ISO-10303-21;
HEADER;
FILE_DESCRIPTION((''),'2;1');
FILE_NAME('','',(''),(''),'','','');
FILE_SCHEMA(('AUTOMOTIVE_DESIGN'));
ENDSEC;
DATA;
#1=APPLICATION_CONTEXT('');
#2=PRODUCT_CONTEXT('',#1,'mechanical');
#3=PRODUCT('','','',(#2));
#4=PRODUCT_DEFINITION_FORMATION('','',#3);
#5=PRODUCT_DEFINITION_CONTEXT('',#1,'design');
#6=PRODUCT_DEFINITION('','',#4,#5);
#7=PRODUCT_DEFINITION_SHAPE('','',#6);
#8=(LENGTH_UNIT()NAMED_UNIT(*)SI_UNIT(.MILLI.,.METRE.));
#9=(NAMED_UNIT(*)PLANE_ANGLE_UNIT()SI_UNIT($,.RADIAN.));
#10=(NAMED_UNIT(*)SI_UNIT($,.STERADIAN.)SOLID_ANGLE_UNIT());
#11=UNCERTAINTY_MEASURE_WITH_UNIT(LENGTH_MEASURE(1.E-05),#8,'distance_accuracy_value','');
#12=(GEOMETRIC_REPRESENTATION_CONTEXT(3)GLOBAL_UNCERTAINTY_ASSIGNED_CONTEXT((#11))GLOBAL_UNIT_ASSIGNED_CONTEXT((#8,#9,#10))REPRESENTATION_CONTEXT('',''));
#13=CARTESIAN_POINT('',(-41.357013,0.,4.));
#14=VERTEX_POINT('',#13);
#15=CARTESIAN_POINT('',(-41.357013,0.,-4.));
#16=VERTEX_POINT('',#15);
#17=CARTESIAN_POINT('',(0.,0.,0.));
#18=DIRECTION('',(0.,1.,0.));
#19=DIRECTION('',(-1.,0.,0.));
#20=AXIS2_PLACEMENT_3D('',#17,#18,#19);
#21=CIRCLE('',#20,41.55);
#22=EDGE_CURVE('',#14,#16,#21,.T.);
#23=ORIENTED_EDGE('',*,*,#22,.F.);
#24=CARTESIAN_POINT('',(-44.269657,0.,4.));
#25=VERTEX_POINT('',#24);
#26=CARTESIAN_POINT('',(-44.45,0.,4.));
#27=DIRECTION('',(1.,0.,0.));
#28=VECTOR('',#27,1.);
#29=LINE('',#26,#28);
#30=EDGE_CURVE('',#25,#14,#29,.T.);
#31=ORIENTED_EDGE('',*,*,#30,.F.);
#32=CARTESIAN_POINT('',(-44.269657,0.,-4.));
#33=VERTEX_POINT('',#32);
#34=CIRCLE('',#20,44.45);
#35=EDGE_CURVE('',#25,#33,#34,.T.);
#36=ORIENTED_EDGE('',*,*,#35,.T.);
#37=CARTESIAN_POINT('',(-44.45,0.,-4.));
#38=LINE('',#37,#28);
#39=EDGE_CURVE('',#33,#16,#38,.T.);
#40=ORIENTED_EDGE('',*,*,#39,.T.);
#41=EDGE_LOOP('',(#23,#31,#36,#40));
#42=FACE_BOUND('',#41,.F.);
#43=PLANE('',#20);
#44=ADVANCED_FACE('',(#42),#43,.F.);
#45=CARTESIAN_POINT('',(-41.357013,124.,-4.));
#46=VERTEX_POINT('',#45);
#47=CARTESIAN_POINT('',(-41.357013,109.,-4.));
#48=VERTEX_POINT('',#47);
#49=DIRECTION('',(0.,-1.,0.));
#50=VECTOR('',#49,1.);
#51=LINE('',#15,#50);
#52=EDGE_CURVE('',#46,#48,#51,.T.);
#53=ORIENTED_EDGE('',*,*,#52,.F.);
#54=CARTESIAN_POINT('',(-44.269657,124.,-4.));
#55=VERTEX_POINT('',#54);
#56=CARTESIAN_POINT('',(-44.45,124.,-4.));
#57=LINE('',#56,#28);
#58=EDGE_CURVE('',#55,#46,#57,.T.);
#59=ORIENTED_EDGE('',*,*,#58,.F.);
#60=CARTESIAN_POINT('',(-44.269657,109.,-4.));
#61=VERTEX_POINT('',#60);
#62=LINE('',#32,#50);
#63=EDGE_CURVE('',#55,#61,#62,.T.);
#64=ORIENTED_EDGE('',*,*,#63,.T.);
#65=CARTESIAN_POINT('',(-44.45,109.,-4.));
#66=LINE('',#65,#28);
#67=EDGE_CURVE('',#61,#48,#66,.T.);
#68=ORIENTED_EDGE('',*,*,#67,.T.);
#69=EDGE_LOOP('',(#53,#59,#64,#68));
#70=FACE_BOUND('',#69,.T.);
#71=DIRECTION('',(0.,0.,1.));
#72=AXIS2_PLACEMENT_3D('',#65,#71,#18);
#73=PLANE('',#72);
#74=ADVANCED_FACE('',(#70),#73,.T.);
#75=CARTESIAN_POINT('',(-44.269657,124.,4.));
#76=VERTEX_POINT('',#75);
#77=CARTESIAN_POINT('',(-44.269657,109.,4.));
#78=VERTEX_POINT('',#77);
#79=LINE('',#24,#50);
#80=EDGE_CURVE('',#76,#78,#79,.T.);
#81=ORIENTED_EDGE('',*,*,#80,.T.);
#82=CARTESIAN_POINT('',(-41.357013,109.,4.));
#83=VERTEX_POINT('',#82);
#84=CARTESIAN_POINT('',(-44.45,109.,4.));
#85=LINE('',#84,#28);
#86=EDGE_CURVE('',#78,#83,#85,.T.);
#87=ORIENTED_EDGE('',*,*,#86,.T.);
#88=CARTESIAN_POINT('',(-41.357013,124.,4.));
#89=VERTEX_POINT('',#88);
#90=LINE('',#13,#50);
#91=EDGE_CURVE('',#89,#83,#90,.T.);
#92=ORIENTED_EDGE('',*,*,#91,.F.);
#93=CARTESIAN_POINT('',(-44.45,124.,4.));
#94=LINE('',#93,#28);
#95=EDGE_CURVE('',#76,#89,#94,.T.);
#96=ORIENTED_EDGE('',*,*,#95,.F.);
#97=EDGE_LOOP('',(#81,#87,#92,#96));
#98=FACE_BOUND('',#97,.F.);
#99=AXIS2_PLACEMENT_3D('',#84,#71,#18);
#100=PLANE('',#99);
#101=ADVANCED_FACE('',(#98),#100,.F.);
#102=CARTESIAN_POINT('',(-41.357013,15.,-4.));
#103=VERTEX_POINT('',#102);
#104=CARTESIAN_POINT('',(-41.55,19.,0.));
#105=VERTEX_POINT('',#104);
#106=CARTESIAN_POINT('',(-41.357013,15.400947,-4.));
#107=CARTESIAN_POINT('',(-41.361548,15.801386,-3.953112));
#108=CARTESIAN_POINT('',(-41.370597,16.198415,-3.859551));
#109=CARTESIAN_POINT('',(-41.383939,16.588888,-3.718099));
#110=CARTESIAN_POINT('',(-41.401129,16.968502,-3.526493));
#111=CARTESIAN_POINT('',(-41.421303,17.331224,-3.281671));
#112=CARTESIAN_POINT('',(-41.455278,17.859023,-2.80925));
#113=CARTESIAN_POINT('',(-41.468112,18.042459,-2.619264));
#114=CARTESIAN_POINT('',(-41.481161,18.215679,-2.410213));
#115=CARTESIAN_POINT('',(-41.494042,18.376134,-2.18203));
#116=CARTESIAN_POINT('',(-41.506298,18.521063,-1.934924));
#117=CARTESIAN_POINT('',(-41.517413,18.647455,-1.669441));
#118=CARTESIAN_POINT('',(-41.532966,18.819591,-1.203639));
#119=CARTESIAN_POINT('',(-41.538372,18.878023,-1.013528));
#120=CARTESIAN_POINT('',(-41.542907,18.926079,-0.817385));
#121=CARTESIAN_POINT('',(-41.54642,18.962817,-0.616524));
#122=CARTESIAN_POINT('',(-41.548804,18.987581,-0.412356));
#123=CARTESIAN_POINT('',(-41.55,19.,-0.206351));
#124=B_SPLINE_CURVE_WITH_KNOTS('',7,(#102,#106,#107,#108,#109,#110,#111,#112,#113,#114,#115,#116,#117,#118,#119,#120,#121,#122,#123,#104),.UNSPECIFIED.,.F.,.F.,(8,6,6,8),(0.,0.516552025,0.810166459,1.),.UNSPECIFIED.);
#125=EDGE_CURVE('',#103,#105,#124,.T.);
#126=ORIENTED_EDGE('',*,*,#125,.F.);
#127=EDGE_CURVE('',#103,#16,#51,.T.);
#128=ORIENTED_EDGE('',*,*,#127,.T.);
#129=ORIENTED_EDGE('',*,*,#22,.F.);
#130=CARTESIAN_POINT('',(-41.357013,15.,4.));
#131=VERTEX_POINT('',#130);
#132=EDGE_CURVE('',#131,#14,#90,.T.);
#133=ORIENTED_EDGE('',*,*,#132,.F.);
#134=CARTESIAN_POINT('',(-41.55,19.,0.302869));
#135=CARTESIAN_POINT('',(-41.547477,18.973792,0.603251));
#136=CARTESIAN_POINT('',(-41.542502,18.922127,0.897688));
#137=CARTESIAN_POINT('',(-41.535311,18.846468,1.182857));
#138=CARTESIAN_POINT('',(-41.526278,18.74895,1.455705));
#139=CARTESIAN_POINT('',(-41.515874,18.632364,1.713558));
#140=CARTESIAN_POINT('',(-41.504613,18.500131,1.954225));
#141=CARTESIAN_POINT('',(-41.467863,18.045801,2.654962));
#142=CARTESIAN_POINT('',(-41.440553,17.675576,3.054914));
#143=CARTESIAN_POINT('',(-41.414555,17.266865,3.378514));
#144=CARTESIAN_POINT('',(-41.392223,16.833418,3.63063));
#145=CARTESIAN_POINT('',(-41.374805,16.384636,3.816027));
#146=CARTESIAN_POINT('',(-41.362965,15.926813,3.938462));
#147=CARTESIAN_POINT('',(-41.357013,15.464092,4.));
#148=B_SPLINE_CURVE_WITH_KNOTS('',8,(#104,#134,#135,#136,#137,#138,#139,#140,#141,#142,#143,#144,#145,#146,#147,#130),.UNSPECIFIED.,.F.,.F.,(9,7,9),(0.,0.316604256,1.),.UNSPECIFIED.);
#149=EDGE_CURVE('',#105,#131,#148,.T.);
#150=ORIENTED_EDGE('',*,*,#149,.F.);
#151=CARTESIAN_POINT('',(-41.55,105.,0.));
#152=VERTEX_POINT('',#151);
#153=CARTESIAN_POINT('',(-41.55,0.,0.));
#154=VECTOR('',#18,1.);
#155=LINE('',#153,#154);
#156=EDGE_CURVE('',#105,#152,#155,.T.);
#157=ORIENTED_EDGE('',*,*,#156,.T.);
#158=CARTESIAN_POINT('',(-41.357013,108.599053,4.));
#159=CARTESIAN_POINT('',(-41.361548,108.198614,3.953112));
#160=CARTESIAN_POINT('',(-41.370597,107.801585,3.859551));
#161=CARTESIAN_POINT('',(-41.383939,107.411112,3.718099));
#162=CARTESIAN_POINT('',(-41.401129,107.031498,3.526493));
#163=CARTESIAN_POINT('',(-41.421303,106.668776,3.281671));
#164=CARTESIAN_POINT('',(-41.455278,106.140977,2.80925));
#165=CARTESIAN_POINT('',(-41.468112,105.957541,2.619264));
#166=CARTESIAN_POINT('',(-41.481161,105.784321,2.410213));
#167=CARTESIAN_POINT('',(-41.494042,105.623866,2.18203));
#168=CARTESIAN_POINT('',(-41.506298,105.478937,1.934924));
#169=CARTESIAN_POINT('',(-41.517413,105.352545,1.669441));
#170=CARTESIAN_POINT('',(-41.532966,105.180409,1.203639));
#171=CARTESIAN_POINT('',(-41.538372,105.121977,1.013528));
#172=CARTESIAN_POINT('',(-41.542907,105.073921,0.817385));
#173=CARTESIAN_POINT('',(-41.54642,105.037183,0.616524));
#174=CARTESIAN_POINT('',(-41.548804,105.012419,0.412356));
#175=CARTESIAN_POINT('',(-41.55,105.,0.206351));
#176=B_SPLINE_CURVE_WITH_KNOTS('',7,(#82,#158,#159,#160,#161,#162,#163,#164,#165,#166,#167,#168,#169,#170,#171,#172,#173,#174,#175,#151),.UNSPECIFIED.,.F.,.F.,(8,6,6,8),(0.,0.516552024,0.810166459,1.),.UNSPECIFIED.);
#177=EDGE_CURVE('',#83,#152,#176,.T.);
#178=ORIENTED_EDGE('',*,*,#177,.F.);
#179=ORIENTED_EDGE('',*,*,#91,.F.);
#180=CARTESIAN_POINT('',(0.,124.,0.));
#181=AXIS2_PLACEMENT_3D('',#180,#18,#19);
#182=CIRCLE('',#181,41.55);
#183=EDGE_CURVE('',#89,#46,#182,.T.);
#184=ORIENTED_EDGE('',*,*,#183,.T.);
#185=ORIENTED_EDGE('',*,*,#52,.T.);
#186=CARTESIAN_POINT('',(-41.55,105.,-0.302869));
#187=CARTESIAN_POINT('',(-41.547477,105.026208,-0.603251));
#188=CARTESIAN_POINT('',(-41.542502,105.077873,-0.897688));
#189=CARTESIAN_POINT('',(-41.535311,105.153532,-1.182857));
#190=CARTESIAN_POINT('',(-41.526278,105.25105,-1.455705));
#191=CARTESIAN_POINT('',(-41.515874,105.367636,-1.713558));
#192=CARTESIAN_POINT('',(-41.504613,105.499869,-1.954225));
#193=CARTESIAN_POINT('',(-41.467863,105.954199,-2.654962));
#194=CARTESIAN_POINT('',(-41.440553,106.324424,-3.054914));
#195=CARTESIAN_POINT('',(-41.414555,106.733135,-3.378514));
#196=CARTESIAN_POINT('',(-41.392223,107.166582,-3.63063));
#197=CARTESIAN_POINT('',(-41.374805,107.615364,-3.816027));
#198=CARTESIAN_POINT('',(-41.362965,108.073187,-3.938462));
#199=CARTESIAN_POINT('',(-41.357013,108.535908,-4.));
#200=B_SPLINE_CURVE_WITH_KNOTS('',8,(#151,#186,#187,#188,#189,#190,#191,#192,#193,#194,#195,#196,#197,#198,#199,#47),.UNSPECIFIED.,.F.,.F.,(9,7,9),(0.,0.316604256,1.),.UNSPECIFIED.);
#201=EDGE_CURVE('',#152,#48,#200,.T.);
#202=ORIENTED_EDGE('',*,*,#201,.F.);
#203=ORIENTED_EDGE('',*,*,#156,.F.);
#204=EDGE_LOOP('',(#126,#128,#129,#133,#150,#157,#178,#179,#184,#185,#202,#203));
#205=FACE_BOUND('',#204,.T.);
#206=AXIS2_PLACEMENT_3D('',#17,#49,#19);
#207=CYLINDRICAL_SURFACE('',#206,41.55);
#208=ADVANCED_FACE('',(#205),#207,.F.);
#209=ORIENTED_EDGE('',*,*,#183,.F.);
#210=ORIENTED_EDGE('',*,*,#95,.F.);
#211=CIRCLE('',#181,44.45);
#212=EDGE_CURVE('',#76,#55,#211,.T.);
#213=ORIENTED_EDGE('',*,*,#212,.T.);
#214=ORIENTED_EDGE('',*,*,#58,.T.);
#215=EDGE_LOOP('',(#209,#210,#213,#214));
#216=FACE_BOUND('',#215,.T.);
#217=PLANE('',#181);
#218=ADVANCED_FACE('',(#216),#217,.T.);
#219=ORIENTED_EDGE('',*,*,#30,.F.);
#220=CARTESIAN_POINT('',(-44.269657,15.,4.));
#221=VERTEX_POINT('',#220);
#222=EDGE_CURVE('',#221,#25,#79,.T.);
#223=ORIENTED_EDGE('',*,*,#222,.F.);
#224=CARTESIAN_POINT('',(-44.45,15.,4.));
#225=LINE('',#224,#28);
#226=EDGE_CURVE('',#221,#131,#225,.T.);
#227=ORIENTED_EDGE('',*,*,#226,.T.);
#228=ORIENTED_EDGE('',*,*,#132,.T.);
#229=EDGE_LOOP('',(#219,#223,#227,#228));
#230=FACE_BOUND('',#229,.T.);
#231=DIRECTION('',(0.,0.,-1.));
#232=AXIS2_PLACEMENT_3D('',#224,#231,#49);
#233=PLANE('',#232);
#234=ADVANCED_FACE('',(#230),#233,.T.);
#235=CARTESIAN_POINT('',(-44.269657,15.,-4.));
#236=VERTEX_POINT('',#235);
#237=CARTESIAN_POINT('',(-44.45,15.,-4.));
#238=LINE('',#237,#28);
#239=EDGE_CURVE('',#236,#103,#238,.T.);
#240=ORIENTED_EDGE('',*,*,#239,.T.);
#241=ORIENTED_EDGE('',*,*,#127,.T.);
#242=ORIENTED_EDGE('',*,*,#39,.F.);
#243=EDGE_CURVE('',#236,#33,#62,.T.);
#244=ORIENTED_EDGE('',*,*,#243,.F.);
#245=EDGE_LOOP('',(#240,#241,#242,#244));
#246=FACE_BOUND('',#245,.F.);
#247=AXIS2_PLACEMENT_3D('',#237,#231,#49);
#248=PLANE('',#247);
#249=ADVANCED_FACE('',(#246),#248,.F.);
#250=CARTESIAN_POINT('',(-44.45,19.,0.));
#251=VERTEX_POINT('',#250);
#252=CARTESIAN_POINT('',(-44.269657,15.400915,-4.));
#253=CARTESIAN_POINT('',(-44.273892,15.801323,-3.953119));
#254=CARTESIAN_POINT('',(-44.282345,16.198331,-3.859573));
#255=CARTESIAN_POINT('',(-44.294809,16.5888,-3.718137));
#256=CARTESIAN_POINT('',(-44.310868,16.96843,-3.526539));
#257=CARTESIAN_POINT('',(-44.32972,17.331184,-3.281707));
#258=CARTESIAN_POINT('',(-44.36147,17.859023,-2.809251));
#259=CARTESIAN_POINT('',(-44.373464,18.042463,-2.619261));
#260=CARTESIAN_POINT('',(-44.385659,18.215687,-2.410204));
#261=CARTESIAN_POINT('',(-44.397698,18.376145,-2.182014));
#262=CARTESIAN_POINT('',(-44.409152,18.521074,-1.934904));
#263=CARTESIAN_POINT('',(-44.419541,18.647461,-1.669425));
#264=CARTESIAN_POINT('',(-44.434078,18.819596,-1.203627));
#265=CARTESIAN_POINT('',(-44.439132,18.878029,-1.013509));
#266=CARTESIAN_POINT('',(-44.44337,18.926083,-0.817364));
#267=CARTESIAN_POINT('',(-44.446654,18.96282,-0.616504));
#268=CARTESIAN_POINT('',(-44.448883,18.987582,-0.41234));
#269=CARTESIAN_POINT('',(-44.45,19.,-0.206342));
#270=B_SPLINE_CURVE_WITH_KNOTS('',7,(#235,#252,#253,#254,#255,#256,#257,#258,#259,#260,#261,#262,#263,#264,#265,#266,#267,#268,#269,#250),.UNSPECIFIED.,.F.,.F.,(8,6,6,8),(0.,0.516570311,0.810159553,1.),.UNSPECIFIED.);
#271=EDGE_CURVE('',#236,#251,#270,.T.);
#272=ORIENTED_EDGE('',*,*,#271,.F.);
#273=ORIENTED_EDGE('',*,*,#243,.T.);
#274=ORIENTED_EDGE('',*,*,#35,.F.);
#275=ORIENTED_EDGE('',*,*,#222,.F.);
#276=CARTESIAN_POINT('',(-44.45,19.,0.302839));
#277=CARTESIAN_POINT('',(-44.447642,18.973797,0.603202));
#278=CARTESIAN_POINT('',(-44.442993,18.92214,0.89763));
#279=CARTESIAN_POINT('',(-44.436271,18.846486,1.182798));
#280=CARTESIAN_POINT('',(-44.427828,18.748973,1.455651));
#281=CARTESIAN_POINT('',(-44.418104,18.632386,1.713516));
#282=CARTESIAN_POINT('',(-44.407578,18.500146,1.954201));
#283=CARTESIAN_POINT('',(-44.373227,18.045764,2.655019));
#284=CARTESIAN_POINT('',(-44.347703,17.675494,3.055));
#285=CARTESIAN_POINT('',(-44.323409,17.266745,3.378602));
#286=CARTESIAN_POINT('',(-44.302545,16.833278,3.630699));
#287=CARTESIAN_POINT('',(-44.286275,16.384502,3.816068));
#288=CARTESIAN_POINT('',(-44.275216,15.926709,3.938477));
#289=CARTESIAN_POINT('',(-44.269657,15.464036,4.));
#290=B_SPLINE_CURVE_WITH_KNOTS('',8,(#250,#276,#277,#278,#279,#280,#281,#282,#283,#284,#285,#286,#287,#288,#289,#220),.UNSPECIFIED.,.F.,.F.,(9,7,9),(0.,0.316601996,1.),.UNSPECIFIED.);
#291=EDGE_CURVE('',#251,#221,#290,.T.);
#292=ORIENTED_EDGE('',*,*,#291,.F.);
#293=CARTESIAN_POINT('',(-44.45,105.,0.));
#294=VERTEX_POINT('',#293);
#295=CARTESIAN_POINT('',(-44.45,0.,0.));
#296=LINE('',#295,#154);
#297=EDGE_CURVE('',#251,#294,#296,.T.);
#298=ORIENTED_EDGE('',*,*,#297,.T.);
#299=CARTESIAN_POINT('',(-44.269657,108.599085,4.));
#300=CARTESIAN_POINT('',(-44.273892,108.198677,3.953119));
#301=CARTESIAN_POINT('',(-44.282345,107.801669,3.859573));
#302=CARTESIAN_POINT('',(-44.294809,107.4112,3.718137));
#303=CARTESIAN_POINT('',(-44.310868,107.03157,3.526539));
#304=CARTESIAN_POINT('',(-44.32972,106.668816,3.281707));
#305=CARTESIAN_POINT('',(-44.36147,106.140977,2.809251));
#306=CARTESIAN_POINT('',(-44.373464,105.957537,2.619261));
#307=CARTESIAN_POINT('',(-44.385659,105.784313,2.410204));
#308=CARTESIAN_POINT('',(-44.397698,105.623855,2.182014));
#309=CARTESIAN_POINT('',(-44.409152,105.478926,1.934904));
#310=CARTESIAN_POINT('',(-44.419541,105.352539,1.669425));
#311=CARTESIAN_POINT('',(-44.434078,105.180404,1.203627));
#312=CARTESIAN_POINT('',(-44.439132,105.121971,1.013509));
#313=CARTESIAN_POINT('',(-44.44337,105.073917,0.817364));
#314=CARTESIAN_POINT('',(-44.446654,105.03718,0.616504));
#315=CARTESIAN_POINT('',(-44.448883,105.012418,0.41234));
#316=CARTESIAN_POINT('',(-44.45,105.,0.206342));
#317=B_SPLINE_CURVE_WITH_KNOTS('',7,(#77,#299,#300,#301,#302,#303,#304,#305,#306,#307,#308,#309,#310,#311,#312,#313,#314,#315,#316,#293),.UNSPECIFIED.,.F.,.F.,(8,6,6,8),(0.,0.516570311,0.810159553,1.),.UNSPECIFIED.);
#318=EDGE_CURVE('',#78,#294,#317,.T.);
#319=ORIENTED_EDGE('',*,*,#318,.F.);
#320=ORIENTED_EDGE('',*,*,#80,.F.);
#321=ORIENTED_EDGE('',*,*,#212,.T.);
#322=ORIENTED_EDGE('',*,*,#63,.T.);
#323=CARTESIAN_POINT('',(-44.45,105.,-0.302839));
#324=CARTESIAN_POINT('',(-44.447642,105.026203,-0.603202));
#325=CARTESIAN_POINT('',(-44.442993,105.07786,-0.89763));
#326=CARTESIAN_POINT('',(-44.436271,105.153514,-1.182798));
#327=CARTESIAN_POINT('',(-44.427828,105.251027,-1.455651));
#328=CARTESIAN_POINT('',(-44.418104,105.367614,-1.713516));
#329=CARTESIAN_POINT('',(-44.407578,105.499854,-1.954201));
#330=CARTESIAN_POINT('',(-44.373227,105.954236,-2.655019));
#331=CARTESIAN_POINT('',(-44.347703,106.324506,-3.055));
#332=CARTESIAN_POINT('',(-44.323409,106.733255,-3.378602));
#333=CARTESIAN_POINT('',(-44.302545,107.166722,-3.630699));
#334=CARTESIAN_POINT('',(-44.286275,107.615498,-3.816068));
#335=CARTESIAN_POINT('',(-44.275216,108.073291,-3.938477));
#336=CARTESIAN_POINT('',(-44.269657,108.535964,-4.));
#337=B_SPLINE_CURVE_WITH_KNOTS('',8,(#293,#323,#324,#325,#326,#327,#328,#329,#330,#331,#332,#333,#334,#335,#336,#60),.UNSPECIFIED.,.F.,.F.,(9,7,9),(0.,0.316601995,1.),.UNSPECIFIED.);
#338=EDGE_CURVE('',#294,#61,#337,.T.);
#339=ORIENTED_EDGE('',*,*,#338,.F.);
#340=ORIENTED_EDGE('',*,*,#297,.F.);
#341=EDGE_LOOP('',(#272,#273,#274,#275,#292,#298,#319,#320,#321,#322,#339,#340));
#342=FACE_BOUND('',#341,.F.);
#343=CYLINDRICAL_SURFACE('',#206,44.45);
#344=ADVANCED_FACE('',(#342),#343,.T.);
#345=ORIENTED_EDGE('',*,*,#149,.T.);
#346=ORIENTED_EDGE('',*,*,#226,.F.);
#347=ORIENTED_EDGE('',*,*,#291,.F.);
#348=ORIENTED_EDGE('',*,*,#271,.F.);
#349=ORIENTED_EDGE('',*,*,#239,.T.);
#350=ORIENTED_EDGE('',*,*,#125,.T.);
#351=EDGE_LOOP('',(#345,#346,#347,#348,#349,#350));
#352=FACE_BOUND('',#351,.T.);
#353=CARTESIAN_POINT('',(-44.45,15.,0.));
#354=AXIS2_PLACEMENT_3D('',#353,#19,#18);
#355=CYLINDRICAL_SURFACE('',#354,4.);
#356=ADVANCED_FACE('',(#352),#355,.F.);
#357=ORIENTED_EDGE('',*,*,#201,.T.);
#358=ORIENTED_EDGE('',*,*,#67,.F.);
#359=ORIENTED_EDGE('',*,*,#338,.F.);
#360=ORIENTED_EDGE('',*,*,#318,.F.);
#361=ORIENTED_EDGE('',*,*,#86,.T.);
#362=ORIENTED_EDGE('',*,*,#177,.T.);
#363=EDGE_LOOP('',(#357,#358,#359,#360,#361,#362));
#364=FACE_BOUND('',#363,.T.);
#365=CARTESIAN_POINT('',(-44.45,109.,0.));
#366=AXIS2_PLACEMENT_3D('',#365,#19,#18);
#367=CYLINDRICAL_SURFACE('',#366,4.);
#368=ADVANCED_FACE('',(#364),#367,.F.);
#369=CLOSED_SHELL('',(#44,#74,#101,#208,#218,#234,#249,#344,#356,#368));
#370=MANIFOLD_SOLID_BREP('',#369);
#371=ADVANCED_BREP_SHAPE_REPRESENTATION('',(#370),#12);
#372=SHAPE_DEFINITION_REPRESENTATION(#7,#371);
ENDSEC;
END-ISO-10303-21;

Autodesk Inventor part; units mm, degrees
ref_plane "XZ Plane" through (0, 0, 0) normal (0, 1, 0) x (-1, 0, 0)
ref_plane "XY Plane" through (0, 0, 0) normal (0, 0, 1) x (1, 0, 0)
sketch "Sketch1" plane through (0, 0, 0) normal (0, 1, 0) x (-1, 0, 0)
  circle A0 centre (0, 0) radius 44.45
  circle A1 centre (0, 0) radius 41.55
  dimension "d0" = 88.9
  dimension "d1" = 2.9
extrude "Extrusion1" add sketch "Sketch1" along normal blind 124
ref_plane "Work Plane1" through (-44.45, 0, 0) normal (1, 0, 0) x (0, 1, 0)
sketch "Sketch2" plane through (-44.45, 0, 0) normal (1, 0, 0) x (0, 1, 0)
  circle A0 centre (15, 0) radius 4
  line L0 (0, -44.45) -> (0, 44.45) projected
  line L1 (15, -4) -> (0, -4)
  line L2 (15, 4) -> (0, 4)
  line L3 (124, -44.45) -> (124, 44.45) projected
  circle A1 centre (109, 0) radius 4
  line L4 (109, -4) -> (124, -4)
  line L5 (109, 4) -> (124, 4)
  point P0 (0, 0)
  dimension "d16" = 8
  dimension "d17" = 15
  dimension "d18" = 15
extrude "Extrusion2" cut sketch "Sketch2" along normal blind 50
equation "\"d18\" = d17"
properties part number "025" material "Steel, Carbon"
